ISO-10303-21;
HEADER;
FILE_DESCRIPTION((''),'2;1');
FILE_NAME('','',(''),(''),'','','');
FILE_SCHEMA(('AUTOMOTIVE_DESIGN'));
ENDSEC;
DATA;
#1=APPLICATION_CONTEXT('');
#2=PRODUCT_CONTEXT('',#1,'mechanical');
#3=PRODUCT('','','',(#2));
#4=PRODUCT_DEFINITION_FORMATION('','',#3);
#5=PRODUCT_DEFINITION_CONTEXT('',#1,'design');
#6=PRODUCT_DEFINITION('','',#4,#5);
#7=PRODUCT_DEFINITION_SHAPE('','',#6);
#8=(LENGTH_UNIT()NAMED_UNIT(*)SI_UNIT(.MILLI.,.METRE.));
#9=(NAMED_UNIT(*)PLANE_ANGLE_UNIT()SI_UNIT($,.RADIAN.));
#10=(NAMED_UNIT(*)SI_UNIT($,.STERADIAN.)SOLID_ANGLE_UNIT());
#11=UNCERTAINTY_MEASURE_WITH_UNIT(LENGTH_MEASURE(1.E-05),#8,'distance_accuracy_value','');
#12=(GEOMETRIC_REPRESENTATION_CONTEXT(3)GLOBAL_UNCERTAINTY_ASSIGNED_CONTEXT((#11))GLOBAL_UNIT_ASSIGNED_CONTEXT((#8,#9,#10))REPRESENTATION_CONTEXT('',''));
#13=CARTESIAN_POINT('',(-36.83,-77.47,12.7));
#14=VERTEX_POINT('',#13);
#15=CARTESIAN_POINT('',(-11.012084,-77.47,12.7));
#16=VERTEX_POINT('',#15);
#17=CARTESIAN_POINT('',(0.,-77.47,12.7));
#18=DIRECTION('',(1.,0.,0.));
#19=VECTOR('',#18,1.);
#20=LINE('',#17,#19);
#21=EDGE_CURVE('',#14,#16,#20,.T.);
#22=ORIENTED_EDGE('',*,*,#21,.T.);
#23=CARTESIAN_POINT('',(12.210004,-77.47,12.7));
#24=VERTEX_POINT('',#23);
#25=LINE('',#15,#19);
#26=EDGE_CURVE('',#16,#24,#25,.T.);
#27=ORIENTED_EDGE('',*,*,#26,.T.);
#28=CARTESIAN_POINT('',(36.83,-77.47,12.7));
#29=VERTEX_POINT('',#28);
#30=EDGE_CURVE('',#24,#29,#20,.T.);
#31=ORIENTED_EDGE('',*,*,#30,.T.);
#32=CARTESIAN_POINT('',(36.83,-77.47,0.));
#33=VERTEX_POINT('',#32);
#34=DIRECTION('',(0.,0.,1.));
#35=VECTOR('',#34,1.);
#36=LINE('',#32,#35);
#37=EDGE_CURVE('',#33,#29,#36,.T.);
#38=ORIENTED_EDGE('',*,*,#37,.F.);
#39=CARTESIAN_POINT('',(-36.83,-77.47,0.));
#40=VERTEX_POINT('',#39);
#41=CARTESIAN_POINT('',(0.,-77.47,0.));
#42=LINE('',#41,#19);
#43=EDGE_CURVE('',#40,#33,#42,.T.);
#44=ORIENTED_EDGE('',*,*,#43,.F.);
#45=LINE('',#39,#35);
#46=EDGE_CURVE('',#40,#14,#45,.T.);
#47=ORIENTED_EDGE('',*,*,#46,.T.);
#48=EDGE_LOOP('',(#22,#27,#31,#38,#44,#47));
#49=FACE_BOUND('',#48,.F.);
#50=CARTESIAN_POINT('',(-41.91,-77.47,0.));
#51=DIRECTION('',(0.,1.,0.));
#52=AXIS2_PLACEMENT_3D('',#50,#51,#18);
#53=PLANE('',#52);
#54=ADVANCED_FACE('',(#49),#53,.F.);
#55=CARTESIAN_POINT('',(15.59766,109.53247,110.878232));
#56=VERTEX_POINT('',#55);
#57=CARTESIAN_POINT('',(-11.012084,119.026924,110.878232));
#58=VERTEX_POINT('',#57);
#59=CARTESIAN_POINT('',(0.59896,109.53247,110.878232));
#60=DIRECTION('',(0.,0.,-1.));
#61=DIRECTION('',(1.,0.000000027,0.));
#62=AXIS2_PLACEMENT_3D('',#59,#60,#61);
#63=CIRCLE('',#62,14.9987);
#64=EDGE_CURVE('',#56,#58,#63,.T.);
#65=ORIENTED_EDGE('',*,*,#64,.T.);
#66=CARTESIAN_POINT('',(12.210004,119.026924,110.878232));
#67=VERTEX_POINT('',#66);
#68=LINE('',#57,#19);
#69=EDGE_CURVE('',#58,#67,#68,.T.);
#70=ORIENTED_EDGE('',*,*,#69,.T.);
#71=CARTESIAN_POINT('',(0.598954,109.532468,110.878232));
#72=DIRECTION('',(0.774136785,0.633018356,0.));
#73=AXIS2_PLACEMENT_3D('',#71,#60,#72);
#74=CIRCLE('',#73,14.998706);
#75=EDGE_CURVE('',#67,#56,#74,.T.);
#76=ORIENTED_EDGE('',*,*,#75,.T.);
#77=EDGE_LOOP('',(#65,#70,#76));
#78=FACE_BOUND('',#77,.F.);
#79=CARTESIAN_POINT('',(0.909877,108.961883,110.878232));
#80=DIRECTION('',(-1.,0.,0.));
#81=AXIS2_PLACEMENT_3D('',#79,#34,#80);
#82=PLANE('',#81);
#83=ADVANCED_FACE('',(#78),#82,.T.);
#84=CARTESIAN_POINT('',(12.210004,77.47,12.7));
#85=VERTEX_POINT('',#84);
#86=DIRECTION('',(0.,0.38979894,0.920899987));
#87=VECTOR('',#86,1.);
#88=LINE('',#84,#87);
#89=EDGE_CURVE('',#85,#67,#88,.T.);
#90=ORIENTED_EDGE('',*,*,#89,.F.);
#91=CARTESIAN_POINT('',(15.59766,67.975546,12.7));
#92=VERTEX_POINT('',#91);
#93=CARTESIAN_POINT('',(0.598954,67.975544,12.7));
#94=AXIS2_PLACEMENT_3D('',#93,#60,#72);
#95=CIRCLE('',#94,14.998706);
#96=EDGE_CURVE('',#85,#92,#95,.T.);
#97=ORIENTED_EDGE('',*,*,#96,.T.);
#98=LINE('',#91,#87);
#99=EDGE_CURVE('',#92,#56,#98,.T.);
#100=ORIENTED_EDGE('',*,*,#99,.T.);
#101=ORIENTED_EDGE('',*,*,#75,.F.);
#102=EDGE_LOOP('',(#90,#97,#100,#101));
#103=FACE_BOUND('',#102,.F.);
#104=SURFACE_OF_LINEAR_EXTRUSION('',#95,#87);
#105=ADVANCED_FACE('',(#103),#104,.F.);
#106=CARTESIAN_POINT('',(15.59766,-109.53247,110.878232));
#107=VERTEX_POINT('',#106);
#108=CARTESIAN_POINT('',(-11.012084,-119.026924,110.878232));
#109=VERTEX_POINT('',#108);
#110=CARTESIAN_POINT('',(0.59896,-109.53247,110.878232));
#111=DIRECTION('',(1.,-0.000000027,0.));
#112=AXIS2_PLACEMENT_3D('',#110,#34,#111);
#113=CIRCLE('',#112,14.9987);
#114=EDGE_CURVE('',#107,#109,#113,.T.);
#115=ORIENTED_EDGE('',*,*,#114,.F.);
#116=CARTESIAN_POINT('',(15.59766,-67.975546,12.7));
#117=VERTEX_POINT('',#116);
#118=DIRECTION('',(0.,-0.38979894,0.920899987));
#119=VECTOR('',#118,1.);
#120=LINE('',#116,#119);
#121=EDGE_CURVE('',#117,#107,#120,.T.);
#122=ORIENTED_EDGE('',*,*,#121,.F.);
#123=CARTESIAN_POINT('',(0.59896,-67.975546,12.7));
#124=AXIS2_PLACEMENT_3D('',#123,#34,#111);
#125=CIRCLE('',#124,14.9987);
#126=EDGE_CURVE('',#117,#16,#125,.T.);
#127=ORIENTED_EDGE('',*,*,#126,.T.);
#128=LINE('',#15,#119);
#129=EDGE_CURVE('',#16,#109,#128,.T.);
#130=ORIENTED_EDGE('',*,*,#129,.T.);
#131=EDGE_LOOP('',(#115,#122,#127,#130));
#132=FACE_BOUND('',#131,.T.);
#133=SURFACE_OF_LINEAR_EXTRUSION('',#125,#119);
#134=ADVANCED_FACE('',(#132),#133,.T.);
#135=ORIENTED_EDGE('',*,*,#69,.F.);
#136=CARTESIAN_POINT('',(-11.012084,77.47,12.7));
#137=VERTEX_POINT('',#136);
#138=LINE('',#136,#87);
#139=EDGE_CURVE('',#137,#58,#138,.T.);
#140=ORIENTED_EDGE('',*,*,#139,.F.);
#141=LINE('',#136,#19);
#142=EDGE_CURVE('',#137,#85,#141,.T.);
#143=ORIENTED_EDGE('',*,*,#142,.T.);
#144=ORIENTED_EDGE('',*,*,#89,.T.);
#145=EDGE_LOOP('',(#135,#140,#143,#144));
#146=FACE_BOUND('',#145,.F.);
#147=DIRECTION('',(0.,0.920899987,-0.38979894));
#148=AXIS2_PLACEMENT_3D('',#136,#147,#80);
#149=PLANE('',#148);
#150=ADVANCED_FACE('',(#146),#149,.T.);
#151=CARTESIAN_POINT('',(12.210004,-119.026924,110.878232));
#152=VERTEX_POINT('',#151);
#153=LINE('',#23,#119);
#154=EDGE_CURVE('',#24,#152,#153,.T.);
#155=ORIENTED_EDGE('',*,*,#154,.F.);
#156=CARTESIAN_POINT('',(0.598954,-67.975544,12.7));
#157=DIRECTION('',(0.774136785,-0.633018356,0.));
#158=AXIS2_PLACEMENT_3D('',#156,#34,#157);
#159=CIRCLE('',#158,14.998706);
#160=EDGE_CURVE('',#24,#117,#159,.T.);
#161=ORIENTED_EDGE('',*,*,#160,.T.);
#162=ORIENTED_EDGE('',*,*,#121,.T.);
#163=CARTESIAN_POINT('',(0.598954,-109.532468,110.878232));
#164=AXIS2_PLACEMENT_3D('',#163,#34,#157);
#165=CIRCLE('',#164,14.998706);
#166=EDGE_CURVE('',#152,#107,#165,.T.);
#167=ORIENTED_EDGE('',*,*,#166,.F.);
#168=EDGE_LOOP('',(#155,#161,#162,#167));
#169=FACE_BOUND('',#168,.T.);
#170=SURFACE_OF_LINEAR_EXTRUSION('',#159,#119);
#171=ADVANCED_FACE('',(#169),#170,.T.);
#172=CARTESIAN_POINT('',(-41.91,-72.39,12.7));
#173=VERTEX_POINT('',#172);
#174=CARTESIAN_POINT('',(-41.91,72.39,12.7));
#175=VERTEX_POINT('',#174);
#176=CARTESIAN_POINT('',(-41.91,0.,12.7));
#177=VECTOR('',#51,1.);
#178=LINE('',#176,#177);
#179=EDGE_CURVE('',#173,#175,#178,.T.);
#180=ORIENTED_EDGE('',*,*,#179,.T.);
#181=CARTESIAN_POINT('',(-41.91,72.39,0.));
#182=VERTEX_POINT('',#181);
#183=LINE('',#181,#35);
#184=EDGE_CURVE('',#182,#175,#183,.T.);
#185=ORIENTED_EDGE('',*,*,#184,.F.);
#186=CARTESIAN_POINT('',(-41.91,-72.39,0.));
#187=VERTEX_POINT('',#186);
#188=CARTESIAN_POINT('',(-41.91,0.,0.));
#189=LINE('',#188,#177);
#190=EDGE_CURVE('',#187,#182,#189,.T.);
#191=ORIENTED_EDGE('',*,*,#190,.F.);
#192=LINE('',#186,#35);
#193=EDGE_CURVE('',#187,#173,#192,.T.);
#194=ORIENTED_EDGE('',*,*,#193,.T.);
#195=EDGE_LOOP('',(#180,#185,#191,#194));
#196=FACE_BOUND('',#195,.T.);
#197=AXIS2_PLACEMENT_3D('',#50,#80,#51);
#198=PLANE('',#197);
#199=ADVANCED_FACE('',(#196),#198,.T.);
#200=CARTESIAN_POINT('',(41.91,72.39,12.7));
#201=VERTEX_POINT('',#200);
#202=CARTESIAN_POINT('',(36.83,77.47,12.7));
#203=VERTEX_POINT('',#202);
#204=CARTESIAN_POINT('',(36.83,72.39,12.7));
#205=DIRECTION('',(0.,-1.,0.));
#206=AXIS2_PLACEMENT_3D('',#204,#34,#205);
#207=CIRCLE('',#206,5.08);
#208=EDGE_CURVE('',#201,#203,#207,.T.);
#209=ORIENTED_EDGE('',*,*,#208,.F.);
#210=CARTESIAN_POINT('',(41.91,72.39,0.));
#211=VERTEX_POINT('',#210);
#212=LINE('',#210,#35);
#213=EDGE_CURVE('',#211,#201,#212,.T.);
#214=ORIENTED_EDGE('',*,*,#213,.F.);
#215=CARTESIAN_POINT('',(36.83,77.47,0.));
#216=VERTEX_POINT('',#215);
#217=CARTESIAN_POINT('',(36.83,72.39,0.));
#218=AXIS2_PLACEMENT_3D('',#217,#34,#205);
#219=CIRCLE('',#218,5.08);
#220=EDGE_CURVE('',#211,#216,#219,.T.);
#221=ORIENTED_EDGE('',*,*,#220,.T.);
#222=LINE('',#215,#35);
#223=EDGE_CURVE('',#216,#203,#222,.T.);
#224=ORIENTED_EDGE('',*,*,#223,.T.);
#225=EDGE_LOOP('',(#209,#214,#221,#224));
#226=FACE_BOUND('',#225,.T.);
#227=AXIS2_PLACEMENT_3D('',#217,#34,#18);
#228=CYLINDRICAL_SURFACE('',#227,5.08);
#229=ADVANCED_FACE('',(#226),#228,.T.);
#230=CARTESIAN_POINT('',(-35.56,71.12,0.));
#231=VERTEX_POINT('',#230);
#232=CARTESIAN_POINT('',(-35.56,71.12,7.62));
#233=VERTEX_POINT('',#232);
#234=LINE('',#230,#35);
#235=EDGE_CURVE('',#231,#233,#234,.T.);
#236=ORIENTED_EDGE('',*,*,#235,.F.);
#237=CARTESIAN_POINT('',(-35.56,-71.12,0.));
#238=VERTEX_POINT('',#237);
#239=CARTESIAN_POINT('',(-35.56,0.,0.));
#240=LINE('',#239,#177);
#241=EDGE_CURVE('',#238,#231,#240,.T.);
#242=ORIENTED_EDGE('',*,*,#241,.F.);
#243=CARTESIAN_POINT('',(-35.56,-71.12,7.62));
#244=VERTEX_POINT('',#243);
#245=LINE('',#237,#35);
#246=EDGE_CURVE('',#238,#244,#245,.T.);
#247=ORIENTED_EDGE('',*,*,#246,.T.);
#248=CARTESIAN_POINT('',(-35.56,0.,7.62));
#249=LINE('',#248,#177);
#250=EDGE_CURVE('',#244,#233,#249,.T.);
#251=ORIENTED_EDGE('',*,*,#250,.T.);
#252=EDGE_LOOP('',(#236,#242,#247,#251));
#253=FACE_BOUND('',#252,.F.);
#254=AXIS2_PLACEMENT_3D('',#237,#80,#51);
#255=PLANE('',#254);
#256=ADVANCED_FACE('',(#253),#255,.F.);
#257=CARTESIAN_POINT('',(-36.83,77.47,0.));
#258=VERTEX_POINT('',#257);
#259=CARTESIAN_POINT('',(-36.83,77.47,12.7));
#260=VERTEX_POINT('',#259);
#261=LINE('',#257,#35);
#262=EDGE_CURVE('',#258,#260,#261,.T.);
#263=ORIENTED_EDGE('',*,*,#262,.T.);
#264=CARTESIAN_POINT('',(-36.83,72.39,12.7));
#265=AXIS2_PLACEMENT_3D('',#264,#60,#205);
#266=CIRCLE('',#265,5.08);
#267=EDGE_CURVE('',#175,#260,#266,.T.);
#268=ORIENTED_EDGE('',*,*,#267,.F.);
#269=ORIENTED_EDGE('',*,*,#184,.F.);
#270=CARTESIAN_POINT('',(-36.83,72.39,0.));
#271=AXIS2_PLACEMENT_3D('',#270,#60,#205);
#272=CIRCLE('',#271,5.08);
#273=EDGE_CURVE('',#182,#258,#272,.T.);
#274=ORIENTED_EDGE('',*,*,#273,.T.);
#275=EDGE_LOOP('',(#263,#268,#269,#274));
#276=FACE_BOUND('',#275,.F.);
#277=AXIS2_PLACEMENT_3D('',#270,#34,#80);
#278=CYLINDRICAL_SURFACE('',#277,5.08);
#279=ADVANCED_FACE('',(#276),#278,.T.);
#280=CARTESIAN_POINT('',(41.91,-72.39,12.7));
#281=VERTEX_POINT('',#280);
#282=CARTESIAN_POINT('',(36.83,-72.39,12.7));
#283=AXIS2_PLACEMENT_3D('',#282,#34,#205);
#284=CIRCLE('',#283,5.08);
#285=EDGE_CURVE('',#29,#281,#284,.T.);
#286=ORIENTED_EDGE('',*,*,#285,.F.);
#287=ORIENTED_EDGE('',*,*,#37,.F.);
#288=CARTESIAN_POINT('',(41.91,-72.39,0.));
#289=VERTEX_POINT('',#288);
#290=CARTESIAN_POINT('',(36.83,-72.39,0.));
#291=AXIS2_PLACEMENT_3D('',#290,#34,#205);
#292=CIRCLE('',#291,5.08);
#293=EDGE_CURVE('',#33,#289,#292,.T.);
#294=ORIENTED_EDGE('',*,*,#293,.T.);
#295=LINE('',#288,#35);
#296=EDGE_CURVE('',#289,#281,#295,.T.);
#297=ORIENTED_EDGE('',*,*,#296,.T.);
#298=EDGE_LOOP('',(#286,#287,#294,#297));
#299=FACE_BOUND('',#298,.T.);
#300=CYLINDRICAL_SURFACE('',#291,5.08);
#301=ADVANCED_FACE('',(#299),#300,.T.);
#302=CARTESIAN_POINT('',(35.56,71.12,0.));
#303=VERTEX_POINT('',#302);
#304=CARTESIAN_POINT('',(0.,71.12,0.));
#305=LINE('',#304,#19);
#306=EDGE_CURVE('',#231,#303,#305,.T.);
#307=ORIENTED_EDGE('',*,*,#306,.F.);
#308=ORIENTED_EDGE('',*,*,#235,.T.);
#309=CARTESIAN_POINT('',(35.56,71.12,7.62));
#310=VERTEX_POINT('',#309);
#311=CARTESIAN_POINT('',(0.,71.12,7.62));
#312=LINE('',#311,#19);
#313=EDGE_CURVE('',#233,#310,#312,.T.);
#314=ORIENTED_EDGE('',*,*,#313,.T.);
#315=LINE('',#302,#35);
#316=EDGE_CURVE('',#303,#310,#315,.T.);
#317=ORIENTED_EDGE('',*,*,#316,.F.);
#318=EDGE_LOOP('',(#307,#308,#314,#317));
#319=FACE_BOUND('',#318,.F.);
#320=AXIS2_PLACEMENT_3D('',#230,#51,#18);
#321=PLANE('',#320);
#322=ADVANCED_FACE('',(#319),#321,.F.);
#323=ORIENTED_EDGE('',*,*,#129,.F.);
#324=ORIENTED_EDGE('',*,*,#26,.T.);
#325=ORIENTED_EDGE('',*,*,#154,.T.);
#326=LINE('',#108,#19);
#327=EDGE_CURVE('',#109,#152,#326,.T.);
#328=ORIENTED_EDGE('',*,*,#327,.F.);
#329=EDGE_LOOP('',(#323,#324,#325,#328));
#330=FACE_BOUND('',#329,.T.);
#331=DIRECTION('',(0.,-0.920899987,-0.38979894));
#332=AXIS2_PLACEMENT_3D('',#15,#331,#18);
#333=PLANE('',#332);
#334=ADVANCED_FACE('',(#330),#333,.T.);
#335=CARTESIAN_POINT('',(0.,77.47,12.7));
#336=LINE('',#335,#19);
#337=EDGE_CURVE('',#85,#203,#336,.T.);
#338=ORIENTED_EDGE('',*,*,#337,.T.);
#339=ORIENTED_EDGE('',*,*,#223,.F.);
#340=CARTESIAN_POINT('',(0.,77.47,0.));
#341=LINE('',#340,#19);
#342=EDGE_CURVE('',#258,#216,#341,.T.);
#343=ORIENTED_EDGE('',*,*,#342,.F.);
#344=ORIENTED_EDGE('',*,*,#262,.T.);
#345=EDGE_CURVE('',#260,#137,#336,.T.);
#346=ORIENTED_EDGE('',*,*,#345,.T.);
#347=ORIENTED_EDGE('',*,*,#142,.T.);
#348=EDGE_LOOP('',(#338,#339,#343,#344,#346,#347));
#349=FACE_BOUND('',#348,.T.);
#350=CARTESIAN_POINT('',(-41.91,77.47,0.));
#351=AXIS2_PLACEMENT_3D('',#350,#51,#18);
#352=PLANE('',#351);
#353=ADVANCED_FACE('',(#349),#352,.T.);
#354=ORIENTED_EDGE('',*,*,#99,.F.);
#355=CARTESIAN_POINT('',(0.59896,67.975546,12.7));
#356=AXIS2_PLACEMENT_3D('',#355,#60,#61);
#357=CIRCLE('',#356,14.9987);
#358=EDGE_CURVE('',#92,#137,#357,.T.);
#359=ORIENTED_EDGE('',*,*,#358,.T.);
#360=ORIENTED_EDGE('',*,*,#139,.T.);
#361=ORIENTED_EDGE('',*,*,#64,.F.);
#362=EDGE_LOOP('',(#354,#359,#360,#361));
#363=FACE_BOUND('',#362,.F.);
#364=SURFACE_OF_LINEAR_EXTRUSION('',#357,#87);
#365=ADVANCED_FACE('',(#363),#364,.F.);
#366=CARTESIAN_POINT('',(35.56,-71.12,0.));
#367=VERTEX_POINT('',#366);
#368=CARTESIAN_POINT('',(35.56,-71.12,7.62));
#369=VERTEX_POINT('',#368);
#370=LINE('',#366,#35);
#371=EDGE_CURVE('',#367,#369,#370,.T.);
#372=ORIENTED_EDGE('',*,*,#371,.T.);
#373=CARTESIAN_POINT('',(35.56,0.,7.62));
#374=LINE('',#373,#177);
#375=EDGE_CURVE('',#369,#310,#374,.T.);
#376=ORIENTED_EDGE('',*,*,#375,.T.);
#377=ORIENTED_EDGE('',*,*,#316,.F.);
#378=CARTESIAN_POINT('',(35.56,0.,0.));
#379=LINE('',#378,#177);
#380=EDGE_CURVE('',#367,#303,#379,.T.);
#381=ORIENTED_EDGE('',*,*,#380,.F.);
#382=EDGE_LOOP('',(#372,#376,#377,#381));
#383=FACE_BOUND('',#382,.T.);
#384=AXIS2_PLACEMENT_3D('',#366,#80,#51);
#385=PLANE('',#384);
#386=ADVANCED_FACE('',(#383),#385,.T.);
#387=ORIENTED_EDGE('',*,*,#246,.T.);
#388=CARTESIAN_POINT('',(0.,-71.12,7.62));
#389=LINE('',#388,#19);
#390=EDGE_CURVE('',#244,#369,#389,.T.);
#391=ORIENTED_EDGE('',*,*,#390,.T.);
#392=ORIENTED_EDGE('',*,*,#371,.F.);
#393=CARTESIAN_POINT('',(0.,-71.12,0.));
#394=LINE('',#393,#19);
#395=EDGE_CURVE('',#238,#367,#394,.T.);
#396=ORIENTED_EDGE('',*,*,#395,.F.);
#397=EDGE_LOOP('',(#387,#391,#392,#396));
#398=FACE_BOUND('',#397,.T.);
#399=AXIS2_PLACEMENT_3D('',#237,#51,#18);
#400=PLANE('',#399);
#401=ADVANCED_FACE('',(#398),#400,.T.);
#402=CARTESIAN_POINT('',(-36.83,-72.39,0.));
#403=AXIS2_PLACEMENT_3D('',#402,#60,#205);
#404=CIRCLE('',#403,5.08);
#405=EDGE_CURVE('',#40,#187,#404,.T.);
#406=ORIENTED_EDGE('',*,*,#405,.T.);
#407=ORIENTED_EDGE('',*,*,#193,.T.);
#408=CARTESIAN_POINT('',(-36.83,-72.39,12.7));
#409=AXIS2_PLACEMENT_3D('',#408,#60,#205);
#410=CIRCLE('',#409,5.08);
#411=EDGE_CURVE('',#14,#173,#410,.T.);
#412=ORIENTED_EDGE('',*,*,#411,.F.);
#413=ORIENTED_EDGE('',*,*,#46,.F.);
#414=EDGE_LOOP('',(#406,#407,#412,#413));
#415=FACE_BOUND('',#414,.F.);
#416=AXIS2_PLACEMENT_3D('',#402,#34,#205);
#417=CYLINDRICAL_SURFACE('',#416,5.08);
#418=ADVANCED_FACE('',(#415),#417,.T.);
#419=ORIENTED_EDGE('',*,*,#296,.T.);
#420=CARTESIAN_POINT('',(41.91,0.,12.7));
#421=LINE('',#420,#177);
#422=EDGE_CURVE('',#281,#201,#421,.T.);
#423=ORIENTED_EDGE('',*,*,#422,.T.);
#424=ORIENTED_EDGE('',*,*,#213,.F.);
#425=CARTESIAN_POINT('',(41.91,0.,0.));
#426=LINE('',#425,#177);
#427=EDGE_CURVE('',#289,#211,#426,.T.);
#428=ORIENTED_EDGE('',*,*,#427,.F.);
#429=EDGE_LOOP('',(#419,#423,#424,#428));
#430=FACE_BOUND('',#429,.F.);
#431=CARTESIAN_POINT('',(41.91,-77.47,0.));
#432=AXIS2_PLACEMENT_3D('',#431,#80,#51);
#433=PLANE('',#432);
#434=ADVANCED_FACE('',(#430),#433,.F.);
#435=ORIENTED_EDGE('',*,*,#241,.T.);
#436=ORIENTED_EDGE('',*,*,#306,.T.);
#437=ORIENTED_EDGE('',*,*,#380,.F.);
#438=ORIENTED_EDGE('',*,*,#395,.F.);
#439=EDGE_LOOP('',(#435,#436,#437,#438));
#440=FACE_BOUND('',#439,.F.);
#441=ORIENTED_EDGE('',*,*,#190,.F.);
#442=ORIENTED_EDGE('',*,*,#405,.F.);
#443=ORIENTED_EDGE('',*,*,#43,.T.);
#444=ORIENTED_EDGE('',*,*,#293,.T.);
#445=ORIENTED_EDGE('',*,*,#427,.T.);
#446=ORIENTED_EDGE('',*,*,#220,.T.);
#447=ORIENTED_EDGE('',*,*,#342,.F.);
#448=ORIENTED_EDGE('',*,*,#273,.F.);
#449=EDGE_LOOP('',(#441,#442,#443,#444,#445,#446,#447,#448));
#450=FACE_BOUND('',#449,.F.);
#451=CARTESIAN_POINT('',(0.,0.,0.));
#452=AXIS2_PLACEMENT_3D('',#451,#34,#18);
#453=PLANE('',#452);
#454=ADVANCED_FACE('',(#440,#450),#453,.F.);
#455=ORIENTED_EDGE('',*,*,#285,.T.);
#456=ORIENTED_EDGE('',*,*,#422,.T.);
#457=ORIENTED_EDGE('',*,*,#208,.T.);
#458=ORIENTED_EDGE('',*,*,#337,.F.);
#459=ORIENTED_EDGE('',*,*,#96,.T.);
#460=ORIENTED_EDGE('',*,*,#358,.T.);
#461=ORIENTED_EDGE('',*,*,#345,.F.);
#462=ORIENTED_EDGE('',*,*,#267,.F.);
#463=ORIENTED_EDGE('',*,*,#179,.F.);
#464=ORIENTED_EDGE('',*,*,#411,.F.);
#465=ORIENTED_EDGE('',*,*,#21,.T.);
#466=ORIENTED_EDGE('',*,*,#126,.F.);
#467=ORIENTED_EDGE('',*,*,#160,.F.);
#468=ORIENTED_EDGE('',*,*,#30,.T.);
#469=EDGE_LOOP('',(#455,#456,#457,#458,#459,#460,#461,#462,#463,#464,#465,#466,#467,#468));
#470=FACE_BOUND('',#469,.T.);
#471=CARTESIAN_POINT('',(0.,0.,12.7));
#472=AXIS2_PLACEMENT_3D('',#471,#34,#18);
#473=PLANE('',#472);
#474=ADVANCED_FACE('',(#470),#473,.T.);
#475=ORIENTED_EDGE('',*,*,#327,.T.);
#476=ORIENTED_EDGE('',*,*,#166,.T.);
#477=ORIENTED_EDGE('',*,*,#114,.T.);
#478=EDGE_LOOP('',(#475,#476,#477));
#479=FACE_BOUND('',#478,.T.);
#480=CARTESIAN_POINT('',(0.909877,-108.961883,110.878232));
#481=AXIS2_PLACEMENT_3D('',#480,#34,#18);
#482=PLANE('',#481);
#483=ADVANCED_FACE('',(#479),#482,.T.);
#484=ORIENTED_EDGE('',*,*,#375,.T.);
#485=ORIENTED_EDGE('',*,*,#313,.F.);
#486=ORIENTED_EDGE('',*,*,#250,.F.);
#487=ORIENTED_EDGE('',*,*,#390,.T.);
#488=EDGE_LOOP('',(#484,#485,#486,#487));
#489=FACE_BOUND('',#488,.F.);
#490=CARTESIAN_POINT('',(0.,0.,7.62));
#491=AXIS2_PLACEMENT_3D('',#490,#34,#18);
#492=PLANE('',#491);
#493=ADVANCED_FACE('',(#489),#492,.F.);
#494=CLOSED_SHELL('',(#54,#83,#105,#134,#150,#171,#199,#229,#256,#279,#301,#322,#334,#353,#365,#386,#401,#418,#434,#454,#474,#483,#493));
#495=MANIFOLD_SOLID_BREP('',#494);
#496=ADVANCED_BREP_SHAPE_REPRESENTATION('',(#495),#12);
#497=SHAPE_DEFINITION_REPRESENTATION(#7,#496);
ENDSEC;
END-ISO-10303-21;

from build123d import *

# Parameters (mm, degrees)
F0_W     = 83.82
F0_H     = 154.94
F1_DEPTH = 12.7
F2_W     = 71.12
F2_H     = 142.24
F3_DEPTH = 7.62
F4_R     = 5.08
F5_R     = 5.08
F6_R     = 5.08
F7_R     = 5.08


with BuildPart() as f1:
    # F0 (on Top) → F1 (new body)
    with BuildSketch(Plane.XY):
        Rectangle(F0_W, F0_H)
    extrude(amount=F1_DEPTH)

    # F2 (on Top) → F3 (cut)
    with BuildSketch(Plane.XY):
        Rectangle(F2_W, F2_H)
    extrude(amount=F3_DEPTH, mode=Mode.SUBTRACT)

    # F4
    f4_edges = [f1.edges().sort_by_distance(p)[0] for p in [
        (41.91, -77.47, 6.35),
    ]]
    fillet(f4_edges, radius=F4_R)

    # F5
    f5_edges = [f1.edges().sort_by_distance(p)[0] for p in [
        (41.91, 77.47, 6.35),
    ]]
    fillet(f5_edges, radius=F5_R)

    # F6
    f6_edges = [f1.edges().sort_by_distance(p)[0] for p in [
        (-41.91, -77.47, 6.35),
    ]]
    fillet(f6_edges, radius=F6_R)

    # F7
    f7_edges = [f1.edges().sort_by_distance(p)[0] for p in [
        (-41.91, 77.47, 6.35),
    ]]
    fillet(f7_edges, radius=F7_R)

    # F10: sweep along a path in F9
    with BuildLine(Plane.YZ) as f10_path:
        Line((-68.238609, 13.756951), (-109.795533, 111.935183))
    # F8 (on face) → F10 (sweep)
    with BuildSketch(Plane.XY.offset(12.7)):
        with BuildLine():
            ThreePointArc((12.210004, -77.47), (14.725381, -73.015905), (15.59766, -67.975546))
            ThreePointArc((15.59766, -67.975546), (-4.441399, -53.849124), (-11.012084, -77.47))
            Line((-11.012084, -77.47), (12.210004, -77.47))
        make_face()
    sweep(path=f10_path.line)

    # F11: F1 across plane


with BuildPart() as f1_1:
    add(f1.part)
    add(f1.part.mirror(Plane.XZ))


solid = f1_1.part
